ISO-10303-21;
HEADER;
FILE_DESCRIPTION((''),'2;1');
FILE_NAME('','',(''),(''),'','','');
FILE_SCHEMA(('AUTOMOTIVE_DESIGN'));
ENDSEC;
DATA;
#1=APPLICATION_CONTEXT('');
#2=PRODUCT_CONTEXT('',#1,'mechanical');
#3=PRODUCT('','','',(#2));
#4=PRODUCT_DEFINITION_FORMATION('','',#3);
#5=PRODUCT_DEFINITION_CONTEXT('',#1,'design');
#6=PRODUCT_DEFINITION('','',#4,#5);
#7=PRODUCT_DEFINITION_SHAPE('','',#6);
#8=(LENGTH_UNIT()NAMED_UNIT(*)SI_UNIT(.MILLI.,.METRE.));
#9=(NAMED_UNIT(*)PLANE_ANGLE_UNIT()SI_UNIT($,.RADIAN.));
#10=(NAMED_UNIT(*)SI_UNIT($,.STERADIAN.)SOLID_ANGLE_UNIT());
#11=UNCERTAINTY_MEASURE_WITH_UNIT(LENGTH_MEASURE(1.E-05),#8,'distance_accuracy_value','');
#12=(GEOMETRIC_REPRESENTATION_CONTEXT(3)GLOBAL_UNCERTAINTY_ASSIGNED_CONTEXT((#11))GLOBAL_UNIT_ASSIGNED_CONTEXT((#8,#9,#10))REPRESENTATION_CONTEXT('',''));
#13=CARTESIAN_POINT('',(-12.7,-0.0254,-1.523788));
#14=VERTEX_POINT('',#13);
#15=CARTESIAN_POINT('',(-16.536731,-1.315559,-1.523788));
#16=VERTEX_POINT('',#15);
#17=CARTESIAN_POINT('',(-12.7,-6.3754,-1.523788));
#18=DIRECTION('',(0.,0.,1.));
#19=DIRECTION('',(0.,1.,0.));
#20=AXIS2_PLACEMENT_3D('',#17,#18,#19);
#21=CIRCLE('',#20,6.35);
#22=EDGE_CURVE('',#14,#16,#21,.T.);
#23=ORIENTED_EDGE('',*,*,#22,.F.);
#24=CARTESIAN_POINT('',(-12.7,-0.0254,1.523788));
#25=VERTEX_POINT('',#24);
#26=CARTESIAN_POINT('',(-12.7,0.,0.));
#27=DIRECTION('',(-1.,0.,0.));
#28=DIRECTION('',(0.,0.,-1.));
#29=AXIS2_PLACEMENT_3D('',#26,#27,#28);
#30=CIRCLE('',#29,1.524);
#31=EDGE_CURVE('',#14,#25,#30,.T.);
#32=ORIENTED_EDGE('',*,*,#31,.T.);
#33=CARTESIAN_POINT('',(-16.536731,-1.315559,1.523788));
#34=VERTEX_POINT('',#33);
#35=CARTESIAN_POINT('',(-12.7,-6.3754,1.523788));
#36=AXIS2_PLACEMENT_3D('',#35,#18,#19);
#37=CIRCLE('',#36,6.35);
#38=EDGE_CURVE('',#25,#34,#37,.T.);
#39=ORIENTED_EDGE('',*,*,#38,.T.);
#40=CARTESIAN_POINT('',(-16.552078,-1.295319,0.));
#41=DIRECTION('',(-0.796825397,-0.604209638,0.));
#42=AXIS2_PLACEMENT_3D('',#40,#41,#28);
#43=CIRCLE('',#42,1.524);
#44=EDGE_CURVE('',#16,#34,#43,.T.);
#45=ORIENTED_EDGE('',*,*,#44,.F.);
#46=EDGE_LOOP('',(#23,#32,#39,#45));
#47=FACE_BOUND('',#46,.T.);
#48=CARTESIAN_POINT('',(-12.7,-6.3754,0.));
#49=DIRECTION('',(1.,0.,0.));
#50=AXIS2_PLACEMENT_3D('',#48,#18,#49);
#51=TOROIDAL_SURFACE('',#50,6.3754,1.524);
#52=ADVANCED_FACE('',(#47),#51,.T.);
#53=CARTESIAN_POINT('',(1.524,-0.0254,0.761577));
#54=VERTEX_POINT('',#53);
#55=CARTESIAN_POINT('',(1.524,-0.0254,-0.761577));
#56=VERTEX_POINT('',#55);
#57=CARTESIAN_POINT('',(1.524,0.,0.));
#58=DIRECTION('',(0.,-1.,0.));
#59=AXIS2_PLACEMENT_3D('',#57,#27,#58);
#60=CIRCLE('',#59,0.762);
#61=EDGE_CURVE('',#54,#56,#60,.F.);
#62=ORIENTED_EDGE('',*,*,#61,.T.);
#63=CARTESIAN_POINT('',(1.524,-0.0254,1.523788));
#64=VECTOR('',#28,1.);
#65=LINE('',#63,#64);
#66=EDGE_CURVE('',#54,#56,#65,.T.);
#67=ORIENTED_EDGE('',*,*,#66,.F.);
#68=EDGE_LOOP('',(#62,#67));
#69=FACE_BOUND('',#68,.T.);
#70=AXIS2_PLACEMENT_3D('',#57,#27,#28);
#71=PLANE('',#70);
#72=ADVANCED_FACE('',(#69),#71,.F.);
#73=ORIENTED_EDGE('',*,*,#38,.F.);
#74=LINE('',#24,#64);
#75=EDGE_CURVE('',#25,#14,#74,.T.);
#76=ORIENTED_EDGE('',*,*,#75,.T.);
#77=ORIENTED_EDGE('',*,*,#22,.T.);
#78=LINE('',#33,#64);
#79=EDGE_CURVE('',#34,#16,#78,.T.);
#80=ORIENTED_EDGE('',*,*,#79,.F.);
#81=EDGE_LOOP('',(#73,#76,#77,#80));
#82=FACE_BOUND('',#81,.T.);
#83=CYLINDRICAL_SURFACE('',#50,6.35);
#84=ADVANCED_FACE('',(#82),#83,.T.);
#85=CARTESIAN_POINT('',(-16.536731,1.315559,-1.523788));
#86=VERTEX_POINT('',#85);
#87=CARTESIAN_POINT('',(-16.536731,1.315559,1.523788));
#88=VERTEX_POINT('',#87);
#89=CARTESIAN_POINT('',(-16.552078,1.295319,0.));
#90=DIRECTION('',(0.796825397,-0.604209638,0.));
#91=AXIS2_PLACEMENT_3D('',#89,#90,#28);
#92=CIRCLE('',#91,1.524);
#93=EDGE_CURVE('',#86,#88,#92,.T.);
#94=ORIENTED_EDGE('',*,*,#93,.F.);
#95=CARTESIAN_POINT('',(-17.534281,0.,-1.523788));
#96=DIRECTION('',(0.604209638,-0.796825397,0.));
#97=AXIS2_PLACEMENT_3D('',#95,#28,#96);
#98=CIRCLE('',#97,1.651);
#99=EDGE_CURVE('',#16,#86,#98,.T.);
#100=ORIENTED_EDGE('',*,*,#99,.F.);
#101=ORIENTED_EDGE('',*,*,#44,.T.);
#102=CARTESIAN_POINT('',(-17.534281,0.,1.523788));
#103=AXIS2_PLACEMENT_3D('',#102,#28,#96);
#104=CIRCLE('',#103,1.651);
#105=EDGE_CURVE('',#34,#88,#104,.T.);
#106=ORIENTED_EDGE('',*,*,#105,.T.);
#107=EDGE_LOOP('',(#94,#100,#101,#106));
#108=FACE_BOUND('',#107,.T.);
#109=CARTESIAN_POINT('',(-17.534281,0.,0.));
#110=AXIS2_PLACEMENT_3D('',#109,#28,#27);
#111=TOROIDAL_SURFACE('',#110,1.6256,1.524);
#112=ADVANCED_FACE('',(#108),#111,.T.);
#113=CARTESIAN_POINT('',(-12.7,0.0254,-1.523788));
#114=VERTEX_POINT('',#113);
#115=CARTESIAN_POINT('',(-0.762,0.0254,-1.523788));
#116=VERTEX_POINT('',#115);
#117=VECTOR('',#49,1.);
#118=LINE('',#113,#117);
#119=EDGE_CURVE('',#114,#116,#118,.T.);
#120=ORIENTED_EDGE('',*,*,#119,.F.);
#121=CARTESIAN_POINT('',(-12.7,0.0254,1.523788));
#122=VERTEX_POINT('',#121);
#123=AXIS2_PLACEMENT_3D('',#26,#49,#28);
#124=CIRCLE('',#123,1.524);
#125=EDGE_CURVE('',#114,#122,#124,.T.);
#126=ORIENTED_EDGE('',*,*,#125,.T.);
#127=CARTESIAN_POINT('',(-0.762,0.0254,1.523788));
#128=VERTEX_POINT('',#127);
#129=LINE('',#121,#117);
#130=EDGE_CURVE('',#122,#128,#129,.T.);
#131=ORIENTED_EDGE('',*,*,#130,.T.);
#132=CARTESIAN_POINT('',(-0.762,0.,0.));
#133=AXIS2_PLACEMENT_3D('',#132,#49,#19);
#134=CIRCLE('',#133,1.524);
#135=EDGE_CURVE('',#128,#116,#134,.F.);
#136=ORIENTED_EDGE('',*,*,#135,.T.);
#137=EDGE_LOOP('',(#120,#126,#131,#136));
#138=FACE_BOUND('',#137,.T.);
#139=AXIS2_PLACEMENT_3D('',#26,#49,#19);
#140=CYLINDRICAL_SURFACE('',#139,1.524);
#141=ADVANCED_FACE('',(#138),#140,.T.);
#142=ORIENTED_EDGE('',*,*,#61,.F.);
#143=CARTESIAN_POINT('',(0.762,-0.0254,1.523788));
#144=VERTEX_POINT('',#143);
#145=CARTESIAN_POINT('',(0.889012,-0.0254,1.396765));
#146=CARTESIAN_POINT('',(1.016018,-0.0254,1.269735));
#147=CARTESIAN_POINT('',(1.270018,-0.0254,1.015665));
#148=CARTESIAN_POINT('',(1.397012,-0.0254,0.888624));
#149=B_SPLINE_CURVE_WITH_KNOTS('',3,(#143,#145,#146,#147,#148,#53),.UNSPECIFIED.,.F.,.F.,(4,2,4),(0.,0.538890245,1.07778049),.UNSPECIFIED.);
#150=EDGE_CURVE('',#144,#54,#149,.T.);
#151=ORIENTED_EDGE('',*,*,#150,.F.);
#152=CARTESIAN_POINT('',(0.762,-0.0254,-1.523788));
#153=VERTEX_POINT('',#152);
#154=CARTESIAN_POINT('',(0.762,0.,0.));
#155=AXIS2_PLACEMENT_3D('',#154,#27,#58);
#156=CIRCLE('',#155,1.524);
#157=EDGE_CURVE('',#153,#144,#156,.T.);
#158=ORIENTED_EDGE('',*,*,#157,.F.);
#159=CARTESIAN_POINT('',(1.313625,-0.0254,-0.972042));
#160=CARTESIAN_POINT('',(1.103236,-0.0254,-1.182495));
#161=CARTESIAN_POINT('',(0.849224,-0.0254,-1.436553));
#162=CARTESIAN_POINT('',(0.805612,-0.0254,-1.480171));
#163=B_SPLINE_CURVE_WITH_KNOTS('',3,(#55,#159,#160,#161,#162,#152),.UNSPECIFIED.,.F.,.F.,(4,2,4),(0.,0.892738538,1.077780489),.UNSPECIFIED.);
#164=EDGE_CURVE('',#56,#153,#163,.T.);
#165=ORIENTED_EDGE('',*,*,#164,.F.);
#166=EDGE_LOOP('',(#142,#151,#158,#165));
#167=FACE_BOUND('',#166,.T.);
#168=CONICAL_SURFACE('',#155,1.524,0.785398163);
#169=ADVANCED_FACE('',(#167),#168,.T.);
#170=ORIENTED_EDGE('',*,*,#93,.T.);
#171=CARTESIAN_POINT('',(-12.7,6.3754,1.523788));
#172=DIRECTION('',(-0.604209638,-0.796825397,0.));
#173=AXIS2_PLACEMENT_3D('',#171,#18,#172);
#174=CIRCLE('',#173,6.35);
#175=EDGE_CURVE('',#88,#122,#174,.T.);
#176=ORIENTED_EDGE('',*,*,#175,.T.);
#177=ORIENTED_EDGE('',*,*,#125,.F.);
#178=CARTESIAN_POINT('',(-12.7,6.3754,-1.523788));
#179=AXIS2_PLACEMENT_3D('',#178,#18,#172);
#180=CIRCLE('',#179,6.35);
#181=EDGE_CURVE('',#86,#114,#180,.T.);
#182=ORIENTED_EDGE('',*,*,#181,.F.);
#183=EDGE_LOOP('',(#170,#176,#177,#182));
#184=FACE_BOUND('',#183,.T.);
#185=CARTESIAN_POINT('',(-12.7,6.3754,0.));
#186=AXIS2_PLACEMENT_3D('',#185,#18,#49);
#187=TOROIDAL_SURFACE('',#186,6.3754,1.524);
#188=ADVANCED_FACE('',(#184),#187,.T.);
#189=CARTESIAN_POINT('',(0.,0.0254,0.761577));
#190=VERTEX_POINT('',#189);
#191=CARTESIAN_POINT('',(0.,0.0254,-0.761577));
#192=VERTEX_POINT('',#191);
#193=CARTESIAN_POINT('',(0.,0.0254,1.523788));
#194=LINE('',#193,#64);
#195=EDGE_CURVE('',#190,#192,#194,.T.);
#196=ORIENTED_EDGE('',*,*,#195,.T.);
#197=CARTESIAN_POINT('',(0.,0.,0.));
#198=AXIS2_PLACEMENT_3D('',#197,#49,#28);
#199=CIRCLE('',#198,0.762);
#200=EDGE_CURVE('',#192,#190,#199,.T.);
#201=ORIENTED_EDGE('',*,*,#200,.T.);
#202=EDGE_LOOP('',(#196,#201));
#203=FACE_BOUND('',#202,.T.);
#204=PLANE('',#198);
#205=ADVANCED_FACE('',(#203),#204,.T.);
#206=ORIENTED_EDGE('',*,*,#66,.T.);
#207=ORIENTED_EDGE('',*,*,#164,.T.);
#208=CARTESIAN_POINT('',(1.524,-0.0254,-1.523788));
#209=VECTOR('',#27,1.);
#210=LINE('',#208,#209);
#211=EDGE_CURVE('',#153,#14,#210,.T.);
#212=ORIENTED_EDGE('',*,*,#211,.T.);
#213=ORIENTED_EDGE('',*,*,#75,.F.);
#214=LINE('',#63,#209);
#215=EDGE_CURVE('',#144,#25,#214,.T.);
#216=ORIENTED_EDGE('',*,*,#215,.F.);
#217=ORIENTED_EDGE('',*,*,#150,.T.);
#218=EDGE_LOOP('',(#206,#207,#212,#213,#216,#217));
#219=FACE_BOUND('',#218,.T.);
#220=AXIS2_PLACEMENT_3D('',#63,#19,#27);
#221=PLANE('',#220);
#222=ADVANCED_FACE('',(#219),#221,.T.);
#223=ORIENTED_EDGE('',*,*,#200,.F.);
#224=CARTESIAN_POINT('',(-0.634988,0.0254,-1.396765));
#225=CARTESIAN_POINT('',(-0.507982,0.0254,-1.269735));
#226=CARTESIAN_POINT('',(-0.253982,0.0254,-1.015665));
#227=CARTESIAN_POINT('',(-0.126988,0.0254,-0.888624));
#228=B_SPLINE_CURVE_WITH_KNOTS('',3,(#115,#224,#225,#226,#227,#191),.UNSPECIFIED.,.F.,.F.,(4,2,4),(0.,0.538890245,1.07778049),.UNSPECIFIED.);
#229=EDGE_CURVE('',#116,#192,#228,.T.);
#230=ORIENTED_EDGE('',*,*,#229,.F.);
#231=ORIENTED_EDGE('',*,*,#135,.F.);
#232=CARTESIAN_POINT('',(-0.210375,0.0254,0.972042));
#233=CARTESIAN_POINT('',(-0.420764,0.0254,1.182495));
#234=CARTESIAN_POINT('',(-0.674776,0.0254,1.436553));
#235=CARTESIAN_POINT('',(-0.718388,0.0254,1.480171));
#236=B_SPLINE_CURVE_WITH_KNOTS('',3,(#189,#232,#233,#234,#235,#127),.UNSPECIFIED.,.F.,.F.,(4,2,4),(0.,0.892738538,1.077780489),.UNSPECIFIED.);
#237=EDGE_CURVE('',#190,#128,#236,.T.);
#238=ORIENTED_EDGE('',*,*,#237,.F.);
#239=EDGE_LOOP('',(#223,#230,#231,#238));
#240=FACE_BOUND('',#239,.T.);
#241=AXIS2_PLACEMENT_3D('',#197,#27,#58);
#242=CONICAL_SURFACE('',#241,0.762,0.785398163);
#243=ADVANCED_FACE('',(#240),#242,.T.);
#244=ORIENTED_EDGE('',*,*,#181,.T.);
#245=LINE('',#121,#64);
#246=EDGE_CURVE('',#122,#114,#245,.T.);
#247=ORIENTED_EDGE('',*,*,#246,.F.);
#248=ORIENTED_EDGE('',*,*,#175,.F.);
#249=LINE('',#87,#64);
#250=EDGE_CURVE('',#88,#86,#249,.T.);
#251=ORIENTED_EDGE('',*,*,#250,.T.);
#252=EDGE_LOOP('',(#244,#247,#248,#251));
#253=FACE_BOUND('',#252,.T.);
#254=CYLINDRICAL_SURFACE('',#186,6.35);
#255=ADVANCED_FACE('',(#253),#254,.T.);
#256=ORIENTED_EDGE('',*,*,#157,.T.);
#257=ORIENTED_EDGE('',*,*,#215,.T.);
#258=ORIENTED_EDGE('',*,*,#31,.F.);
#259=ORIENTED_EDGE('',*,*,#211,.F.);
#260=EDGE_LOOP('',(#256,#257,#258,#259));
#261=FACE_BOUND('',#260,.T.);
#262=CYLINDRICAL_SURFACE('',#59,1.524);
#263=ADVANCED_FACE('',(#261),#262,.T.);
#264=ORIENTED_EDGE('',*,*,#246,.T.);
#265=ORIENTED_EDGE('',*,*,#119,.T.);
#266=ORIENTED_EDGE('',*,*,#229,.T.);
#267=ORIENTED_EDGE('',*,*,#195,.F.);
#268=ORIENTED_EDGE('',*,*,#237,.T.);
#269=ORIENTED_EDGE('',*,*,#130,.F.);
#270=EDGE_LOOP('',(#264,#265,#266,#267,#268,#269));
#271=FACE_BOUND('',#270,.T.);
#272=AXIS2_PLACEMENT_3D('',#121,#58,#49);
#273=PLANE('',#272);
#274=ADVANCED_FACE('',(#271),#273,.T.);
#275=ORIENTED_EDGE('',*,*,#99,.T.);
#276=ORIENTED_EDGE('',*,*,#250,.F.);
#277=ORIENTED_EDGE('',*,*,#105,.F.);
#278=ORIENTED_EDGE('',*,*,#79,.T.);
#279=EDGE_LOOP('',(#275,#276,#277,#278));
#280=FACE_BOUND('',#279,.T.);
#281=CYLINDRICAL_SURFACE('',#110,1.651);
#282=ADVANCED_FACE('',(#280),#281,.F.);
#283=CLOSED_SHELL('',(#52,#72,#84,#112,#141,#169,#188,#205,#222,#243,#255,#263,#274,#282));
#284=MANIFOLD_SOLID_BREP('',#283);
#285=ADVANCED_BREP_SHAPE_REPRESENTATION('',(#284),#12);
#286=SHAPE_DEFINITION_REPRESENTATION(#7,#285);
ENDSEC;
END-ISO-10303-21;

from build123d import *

# Parameters (mm, degrees)
CHAMFER1_SIZE = 0.762


with BuildPart() as part:
    # Sweep1: sweep along a path in Sketch3
    with BuildLine(Plane.XY) as sweep1_path:
        Line((1.524, -0.0254), (-12.7, -0.0254))
        ThreePointArc((-12.7, -0.0254), (-14.723920445, -0.356575694), (-16.536731203, -1.31555873))
        ThreePointArc((-16.536731203, -1.31555873), (-19.185281316, 0), (-16.536731203, 1.31555873))
        ThreePointArc((-16.536731203, 1.31555873), (-14.723920445, 0.356575694), (-12.7, 0.0254))
        Line((-12.7, 0.0254), (0, 0.0254))
    # Sketch4 → Sweep1 (sweep)
    with BuildSketch(Plane(origin=(0, 0, 0), x_dir=(0, 0, -1), z_dir=(1, 0, 0))):
        with BuildLine():
            Line((-1.523788319, 0.0254), (1.523788319, 0.0254))
            ThreePointArc((1.523788319, 0.0254), (0, 1.524), (-1.523788319, 0.0254))
        make_face()
    sweep(path=sweep1_path.line)

    # Chamfer1
    chamfer1_edges = [part.edges().sort_by_distance(p)[0] for p in [
        (0, 1.524, 0),
        (1.524, -1.524, 0),
    ]]
    chamfer(chamfer1_edges, length=CHAMFER1_SIZE)


solid = part.part
